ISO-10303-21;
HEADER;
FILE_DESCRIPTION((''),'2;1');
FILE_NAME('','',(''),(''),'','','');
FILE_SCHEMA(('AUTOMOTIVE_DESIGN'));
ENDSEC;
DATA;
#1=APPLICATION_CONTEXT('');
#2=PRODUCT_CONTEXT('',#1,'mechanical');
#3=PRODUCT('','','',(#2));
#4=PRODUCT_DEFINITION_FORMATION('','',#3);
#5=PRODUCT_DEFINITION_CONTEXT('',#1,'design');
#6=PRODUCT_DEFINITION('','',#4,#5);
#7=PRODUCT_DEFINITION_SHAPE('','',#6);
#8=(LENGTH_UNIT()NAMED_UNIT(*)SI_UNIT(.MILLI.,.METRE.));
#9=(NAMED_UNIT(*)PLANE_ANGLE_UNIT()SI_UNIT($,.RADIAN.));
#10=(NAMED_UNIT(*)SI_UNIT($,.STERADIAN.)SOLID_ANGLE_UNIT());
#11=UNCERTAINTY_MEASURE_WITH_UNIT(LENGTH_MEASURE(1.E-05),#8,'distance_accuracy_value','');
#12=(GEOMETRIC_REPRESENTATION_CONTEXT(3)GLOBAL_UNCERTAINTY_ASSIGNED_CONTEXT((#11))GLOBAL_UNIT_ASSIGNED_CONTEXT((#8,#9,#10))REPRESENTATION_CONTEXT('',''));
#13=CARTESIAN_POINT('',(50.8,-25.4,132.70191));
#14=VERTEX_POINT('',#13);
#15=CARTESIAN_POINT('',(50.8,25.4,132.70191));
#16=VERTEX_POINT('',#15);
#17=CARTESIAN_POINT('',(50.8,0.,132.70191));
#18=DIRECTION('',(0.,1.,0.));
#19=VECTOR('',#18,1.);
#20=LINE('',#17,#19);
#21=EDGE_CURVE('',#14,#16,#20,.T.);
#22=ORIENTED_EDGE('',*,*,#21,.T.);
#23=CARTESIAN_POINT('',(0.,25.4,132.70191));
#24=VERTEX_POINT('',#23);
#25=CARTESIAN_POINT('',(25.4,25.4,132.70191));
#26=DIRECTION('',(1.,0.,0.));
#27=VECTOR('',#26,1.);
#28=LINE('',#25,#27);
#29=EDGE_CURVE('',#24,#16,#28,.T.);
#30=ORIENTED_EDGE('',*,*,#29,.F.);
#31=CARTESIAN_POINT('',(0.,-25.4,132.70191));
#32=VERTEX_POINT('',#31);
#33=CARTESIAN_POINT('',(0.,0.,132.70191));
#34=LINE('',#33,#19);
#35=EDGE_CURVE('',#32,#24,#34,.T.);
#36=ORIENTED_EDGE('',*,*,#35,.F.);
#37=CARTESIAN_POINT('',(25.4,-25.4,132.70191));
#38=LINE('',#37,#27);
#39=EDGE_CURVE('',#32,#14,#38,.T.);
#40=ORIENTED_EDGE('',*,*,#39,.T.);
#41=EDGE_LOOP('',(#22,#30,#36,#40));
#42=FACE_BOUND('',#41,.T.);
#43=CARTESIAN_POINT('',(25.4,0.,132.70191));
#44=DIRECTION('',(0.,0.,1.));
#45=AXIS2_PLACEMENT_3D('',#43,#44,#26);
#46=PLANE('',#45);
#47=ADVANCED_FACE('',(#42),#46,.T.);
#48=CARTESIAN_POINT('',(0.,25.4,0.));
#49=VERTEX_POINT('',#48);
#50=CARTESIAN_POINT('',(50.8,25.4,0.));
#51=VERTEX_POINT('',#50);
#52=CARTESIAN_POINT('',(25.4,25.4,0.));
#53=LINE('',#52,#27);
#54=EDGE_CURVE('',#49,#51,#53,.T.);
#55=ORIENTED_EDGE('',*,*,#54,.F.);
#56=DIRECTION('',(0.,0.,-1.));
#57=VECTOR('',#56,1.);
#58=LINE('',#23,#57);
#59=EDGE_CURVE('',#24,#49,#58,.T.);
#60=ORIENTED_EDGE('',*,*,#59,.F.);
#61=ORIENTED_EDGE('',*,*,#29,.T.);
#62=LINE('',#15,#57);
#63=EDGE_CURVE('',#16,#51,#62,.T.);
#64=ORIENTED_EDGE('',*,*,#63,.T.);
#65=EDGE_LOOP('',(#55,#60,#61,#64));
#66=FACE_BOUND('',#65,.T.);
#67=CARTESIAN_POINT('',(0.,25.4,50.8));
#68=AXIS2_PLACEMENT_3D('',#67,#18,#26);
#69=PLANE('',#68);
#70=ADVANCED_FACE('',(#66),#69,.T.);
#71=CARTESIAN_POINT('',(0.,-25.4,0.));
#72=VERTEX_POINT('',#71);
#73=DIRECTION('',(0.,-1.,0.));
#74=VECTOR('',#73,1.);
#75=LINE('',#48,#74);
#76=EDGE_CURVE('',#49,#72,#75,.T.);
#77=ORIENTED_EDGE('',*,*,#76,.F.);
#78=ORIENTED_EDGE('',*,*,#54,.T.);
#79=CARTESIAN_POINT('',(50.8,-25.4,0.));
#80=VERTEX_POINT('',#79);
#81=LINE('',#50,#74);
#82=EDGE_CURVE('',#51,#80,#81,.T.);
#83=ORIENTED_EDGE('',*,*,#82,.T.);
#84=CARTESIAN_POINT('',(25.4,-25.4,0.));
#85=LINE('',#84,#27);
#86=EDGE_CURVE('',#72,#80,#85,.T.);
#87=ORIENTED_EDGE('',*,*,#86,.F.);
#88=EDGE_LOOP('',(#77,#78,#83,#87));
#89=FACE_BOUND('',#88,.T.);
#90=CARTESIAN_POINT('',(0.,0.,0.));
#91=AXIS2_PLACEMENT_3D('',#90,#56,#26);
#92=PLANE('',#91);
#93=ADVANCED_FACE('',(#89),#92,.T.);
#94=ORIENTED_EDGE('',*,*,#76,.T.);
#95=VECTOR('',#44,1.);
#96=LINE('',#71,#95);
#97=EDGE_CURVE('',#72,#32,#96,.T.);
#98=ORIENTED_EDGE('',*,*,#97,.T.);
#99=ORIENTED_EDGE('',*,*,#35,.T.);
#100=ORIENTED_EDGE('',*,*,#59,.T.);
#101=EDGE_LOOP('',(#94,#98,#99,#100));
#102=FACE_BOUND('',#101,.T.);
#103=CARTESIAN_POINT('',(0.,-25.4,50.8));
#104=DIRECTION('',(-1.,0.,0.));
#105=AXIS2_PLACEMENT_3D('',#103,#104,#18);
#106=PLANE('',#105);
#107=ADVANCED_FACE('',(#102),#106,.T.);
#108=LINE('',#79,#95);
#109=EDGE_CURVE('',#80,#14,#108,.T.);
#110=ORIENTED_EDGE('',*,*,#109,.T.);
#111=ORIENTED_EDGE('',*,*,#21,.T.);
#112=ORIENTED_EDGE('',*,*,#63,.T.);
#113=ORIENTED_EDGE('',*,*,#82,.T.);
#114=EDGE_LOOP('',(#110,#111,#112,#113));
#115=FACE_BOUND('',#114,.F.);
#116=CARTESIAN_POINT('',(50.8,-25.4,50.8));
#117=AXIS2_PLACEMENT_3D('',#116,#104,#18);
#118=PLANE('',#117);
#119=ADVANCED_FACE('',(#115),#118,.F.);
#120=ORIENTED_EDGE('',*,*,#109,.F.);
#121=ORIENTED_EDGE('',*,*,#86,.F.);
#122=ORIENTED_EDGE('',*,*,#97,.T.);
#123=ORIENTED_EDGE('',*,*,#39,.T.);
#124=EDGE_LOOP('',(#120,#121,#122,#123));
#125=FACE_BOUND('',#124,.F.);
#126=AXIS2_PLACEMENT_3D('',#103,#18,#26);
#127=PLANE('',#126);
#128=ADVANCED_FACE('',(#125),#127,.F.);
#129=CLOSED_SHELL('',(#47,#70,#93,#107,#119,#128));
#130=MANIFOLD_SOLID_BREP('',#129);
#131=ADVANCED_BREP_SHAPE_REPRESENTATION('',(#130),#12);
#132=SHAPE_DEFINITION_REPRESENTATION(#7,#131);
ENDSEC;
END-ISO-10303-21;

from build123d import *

# Parameters (mm, degrees)
F0_W      = 50.8
F0_H      = 50.8
F1_DEPTH  = 25.4
F1_FACE_W = 50.8
F1_FACE_H = 50.8
F2_DEPTH  = 81.90191


with BuildPart() as f1:
    # F0 (on Front) → F1 (new body, symmetric)
    with BuildSketch(Plane.XZ):
        with Locations((25.4, 25.4)):
            Rectangle(F0_W, F0_H)
    extrude(amount=F1_DEPTH, both=True)

    # F1_face (on face) → F2 (join)
    with BuildSketch(Plane(origin=(25.4, 0, 50.8), x_dir=(1, 0, 0), z_dir=(0, 0, 1))):
        Rectangle(F1_FACE_W, F1_FACE_H)
    extrude(amount=F2_DEPTH)


solid = f1.part
